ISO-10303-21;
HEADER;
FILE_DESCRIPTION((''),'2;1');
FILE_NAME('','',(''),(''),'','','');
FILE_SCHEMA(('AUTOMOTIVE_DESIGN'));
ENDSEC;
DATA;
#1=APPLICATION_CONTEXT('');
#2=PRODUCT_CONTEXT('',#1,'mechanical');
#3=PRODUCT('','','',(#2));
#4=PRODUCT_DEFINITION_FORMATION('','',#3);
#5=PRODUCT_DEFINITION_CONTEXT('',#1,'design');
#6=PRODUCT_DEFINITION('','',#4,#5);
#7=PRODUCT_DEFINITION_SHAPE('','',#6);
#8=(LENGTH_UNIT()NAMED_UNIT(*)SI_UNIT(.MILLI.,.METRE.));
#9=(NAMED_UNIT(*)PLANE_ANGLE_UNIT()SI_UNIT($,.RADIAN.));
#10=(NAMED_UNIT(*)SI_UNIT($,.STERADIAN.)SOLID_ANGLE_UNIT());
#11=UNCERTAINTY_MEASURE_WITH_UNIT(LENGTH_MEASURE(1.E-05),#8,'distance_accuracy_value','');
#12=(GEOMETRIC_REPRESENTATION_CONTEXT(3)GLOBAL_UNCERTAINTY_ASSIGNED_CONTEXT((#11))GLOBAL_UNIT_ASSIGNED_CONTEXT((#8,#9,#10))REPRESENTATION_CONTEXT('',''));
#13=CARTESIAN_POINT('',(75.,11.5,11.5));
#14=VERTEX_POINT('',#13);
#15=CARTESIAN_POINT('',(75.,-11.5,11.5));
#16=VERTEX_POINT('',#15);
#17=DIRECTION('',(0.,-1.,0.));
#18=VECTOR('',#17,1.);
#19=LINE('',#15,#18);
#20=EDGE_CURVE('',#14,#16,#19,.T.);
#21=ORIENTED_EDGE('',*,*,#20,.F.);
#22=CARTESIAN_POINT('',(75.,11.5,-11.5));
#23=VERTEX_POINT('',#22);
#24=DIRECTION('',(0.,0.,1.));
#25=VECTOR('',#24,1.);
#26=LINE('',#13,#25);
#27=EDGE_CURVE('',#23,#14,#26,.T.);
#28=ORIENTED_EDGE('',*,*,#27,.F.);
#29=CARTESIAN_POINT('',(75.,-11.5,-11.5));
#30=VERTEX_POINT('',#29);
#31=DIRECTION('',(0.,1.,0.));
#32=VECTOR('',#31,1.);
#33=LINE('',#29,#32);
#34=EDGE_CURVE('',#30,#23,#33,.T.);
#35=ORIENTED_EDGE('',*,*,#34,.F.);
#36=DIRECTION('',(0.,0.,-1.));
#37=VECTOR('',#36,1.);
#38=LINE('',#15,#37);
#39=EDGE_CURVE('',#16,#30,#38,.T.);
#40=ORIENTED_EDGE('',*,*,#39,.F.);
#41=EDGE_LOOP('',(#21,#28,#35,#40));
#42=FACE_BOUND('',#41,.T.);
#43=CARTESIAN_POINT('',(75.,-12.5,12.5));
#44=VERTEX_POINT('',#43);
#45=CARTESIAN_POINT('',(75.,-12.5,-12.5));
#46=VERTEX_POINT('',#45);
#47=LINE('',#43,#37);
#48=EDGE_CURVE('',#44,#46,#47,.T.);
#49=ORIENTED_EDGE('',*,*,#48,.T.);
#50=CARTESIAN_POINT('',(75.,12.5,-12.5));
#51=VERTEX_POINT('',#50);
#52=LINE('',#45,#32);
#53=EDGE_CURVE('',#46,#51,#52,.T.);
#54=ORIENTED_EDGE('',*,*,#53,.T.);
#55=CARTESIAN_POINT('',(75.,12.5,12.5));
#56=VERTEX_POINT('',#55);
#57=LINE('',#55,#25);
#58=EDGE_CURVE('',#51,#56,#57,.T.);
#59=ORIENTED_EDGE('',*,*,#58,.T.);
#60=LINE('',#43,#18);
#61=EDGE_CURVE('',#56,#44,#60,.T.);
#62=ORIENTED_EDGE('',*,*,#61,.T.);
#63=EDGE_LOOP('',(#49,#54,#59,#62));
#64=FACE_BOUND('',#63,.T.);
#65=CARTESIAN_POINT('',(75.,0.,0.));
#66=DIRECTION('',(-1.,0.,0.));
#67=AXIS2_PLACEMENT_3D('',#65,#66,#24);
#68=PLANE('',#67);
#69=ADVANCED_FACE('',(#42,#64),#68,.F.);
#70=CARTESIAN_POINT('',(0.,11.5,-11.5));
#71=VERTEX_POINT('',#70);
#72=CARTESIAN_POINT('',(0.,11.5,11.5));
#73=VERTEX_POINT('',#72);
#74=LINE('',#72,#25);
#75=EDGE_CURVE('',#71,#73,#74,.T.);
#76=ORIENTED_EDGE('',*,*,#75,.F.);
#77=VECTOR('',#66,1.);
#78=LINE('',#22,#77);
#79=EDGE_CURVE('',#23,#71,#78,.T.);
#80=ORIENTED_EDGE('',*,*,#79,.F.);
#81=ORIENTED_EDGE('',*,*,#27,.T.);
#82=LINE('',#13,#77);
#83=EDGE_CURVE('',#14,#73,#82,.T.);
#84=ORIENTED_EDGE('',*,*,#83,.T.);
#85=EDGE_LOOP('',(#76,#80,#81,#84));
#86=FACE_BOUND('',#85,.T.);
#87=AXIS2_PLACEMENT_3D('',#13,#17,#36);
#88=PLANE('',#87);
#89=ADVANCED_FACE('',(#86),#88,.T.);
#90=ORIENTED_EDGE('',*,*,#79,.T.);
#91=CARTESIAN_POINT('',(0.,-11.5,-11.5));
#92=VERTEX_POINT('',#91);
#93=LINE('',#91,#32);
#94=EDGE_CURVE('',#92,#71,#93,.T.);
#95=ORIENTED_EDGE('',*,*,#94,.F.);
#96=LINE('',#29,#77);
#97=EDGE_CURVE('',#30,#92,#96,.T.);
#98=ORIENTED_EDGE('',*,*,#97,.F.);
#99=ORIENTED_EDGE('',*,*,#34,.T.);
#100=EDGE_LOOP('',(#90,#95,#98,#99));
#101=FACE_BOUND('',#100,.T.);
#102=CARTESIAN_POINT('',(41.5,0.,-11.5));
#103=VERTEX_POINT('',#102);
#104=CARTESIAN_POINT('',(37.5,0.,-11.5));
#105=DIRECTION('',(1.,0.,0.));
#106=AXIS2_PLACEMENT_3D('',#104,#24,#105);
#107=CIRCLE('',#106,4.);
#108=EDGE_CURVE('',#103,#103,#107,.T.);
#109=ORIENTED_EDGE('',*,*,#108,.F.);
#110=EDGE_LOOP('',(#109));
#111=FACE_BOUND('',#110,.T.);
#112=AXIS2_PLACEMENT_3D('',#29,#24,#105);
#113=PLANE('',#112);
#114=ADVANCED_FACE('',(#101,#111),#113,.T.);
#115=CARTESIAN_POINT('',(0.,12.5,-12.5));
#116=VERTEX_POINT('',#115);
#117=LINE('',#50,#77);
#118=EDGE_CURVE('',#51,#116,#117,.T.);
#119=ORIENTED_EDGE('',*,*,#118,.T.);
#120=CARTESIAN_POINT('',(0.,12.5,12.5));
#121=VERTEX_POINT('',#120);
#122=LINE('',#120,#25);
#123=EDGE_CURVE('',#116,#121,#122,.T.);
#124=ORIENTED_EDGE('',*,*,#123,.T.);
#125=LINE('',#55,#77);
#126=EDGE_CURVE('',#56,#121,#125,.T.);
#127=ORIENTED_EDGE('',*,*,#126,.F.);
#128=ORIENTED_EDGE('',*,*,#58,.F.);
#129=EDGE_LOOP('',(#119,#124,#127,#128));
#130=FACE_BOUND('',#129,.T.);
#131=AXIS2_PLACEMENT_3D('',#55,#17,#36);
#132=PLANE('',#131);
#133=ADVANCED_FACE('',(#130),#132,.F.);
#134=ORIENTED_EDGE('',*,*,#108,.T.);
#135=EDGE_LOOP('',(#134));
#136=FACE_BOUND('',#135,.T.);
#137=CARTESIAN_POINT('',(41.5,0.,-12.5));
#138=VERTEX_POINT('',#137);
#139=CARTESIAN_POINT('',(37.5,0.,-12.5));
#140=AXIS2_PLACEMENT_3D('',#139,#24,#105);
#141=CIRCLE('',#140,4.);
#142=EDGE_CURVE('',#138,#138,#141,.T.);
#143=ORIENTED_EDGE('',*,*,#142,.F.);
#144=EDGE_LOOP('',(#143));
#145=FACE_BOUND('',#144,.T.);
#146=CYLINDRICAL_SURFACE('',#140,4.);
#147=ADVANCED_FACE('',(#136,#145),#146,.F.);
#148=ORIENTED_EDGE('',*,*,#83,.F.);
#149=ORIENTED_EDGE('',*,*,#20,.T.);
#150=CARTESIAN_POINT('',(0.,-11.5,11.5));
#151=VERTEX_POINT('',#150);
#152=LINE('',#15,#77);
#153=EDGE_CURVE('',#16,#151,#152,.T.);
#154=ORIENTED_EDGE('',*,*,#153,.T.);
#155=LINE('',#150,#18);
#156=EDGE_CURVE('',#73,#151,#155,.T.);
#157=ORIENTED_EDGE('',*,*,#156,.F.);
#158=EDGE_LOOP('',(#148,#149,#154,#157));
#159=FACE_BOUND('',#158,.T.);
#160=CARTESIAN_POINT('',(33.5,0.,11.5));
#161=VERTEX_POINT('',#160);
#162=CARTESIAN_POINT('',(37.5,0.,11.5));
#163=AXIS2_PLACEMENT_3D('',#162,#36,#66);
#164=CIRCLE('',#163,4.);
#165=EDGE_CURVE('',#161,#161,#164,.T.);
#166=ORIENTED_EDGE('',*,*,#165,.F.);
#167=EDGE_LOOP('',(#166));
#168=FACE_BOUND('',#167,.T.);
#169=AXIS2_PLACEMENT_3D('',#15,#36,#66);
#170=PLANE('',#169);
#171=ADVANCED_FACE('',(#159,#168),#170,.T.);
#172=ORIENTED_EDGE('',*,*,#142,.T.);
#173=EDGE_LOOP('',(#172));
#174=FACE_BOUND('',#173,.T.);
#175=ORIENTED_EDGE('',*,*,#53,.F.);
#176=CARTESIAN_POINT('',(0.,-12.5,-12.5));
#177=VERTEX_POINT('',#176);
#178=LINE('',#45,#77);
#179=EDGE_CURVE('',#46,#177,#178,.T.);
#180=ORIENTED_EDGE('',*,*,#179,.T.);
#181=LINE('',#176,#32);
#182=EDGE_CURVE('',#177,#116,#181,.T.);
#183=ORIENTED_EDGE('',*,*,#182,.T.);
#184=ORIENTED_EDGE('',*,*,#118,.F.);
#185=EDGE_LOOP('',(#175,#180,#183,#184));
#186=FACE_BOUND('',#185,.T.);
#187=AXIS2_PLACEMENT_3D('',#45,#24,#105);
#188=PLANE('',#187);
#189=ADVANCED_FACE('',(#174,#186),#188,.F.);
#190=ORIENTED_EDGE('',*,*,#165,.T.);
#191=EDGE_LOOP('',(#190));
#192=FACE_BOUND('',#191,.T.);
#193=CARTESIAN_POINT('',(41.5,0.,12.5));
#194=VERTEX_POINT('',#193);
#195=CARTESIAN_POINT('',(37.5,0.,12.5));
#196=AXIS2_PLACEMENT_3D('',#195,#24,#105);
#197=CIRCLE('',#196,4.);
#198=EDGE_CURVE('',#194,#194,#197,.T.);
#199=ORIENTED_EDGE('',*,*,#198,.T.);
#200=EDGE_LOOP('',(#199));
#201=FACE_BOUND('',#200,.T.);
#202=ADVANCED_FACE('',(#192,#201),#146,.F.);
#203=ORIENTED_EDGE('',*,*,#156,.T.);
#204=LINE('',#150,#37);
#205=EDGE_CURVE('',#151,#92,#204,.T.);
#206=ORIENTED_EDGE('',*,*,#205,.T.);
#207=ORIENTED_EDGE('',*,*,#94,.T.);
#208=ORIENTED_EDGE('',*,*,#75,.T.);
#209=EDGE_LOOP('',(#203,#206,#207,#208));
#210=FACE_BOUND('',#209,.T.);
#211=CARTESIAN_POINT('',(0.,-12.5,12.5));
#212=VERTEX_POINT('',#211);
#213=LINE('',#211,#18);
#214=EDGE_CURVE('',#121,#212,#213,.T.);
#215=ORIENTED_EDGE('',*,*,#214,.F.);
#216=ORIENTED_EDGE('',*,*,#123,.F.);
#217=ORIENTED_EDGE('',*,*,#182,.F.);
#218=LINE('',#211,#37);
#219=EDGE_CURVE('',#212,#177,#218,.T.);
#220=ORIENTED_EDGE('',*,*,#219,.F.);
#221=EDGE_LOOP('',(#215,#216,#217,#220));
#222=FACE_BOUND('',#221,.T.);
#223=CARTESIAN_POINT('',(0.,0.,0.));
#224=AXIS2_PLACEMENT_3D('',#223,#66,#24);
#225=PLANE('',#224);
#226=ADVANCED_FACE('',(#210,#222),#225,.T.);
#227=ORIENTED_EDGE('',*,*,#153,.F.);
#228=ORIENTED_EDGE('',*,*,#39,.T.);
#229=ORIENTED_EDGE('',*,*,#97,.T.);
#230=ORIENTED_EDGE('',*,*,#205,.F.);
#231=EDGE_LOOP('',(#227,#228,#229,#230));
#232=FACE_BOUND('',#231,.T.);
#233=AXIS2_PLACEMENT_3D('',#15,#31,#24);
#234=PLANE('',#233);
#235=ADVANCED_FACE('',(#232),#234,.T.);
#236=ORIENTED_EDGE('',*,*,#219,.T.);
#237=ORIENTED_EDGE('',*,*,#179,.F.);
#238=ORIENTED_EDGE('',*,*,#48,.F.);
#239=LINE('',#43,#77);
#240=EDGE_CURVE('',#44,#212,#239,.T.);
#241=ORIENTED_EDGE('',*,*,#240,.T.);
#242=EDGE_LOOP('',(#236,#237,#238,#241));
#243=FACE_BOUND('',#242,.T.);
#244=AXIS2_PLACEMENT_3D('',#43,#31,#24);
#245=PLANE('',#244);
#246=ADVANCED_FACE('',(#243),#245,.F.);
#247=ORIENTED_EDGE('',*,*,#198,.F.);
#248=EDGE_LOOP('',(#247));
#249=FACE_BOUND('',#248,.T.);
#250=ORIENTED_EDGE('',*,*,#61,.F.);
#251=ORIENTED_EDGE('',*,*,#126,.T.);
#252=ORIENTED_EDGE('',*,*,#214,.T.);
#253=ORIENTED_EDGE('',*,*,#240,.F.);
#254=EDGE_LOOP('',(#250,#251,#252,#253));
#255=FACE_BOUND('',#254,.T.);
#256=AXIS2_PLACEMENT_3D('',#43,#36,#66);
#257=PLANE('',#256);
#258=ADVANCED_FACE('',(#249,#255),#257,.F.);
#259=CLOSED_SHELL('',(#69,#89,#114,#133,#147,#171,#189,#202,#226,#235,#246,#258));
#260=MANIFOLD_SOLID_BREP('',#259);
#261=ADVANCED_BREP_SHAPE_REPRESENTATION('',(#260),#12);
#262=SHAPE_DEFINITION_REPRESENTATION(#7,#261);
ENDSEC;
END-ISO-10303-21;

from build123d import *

# Parameters (mm, degrees)
SKETCH1_W           = 25
SKETCH1_H           = 25
SKETCH1_W_2         = 23
SKETCH1_H_2         = 23
BOSS_EXTRUDE1_DEPTH = 75
SKETCH2_R           = 4
CUT_EXTRUDE1_DEPTH  = 81.039052968


with BuildPart() as part:
    # Sketch1 → Boss-Extrude1 (new body)
    with BuildSketch(Plane(origin=(0, 0, 0), x_dir=(0, 0, -1), z_dir=(1, 0, 0))):
        Rectangle(SKETCH1_W, SKETCH1_H)
        Rectangle(SKETCH1_W_2, SKETCH1_H_2, mode=Mode.SUBTRACT)
    extrude(amount=BOSS_EXTRUDE1_DEPTH)

    # Sketch2 → Cut-Extrude1 (cut, through all)
    with BuildSketch(Plane.XY.offset(12.5)):
        with Locations((37.5, 0)):
            Circle(SKETCH2_R)
    extrude(amount=-CUT_EXTRUDE1_DEPTH, mode=Mode.SUBTRACT)


solid = part.part
